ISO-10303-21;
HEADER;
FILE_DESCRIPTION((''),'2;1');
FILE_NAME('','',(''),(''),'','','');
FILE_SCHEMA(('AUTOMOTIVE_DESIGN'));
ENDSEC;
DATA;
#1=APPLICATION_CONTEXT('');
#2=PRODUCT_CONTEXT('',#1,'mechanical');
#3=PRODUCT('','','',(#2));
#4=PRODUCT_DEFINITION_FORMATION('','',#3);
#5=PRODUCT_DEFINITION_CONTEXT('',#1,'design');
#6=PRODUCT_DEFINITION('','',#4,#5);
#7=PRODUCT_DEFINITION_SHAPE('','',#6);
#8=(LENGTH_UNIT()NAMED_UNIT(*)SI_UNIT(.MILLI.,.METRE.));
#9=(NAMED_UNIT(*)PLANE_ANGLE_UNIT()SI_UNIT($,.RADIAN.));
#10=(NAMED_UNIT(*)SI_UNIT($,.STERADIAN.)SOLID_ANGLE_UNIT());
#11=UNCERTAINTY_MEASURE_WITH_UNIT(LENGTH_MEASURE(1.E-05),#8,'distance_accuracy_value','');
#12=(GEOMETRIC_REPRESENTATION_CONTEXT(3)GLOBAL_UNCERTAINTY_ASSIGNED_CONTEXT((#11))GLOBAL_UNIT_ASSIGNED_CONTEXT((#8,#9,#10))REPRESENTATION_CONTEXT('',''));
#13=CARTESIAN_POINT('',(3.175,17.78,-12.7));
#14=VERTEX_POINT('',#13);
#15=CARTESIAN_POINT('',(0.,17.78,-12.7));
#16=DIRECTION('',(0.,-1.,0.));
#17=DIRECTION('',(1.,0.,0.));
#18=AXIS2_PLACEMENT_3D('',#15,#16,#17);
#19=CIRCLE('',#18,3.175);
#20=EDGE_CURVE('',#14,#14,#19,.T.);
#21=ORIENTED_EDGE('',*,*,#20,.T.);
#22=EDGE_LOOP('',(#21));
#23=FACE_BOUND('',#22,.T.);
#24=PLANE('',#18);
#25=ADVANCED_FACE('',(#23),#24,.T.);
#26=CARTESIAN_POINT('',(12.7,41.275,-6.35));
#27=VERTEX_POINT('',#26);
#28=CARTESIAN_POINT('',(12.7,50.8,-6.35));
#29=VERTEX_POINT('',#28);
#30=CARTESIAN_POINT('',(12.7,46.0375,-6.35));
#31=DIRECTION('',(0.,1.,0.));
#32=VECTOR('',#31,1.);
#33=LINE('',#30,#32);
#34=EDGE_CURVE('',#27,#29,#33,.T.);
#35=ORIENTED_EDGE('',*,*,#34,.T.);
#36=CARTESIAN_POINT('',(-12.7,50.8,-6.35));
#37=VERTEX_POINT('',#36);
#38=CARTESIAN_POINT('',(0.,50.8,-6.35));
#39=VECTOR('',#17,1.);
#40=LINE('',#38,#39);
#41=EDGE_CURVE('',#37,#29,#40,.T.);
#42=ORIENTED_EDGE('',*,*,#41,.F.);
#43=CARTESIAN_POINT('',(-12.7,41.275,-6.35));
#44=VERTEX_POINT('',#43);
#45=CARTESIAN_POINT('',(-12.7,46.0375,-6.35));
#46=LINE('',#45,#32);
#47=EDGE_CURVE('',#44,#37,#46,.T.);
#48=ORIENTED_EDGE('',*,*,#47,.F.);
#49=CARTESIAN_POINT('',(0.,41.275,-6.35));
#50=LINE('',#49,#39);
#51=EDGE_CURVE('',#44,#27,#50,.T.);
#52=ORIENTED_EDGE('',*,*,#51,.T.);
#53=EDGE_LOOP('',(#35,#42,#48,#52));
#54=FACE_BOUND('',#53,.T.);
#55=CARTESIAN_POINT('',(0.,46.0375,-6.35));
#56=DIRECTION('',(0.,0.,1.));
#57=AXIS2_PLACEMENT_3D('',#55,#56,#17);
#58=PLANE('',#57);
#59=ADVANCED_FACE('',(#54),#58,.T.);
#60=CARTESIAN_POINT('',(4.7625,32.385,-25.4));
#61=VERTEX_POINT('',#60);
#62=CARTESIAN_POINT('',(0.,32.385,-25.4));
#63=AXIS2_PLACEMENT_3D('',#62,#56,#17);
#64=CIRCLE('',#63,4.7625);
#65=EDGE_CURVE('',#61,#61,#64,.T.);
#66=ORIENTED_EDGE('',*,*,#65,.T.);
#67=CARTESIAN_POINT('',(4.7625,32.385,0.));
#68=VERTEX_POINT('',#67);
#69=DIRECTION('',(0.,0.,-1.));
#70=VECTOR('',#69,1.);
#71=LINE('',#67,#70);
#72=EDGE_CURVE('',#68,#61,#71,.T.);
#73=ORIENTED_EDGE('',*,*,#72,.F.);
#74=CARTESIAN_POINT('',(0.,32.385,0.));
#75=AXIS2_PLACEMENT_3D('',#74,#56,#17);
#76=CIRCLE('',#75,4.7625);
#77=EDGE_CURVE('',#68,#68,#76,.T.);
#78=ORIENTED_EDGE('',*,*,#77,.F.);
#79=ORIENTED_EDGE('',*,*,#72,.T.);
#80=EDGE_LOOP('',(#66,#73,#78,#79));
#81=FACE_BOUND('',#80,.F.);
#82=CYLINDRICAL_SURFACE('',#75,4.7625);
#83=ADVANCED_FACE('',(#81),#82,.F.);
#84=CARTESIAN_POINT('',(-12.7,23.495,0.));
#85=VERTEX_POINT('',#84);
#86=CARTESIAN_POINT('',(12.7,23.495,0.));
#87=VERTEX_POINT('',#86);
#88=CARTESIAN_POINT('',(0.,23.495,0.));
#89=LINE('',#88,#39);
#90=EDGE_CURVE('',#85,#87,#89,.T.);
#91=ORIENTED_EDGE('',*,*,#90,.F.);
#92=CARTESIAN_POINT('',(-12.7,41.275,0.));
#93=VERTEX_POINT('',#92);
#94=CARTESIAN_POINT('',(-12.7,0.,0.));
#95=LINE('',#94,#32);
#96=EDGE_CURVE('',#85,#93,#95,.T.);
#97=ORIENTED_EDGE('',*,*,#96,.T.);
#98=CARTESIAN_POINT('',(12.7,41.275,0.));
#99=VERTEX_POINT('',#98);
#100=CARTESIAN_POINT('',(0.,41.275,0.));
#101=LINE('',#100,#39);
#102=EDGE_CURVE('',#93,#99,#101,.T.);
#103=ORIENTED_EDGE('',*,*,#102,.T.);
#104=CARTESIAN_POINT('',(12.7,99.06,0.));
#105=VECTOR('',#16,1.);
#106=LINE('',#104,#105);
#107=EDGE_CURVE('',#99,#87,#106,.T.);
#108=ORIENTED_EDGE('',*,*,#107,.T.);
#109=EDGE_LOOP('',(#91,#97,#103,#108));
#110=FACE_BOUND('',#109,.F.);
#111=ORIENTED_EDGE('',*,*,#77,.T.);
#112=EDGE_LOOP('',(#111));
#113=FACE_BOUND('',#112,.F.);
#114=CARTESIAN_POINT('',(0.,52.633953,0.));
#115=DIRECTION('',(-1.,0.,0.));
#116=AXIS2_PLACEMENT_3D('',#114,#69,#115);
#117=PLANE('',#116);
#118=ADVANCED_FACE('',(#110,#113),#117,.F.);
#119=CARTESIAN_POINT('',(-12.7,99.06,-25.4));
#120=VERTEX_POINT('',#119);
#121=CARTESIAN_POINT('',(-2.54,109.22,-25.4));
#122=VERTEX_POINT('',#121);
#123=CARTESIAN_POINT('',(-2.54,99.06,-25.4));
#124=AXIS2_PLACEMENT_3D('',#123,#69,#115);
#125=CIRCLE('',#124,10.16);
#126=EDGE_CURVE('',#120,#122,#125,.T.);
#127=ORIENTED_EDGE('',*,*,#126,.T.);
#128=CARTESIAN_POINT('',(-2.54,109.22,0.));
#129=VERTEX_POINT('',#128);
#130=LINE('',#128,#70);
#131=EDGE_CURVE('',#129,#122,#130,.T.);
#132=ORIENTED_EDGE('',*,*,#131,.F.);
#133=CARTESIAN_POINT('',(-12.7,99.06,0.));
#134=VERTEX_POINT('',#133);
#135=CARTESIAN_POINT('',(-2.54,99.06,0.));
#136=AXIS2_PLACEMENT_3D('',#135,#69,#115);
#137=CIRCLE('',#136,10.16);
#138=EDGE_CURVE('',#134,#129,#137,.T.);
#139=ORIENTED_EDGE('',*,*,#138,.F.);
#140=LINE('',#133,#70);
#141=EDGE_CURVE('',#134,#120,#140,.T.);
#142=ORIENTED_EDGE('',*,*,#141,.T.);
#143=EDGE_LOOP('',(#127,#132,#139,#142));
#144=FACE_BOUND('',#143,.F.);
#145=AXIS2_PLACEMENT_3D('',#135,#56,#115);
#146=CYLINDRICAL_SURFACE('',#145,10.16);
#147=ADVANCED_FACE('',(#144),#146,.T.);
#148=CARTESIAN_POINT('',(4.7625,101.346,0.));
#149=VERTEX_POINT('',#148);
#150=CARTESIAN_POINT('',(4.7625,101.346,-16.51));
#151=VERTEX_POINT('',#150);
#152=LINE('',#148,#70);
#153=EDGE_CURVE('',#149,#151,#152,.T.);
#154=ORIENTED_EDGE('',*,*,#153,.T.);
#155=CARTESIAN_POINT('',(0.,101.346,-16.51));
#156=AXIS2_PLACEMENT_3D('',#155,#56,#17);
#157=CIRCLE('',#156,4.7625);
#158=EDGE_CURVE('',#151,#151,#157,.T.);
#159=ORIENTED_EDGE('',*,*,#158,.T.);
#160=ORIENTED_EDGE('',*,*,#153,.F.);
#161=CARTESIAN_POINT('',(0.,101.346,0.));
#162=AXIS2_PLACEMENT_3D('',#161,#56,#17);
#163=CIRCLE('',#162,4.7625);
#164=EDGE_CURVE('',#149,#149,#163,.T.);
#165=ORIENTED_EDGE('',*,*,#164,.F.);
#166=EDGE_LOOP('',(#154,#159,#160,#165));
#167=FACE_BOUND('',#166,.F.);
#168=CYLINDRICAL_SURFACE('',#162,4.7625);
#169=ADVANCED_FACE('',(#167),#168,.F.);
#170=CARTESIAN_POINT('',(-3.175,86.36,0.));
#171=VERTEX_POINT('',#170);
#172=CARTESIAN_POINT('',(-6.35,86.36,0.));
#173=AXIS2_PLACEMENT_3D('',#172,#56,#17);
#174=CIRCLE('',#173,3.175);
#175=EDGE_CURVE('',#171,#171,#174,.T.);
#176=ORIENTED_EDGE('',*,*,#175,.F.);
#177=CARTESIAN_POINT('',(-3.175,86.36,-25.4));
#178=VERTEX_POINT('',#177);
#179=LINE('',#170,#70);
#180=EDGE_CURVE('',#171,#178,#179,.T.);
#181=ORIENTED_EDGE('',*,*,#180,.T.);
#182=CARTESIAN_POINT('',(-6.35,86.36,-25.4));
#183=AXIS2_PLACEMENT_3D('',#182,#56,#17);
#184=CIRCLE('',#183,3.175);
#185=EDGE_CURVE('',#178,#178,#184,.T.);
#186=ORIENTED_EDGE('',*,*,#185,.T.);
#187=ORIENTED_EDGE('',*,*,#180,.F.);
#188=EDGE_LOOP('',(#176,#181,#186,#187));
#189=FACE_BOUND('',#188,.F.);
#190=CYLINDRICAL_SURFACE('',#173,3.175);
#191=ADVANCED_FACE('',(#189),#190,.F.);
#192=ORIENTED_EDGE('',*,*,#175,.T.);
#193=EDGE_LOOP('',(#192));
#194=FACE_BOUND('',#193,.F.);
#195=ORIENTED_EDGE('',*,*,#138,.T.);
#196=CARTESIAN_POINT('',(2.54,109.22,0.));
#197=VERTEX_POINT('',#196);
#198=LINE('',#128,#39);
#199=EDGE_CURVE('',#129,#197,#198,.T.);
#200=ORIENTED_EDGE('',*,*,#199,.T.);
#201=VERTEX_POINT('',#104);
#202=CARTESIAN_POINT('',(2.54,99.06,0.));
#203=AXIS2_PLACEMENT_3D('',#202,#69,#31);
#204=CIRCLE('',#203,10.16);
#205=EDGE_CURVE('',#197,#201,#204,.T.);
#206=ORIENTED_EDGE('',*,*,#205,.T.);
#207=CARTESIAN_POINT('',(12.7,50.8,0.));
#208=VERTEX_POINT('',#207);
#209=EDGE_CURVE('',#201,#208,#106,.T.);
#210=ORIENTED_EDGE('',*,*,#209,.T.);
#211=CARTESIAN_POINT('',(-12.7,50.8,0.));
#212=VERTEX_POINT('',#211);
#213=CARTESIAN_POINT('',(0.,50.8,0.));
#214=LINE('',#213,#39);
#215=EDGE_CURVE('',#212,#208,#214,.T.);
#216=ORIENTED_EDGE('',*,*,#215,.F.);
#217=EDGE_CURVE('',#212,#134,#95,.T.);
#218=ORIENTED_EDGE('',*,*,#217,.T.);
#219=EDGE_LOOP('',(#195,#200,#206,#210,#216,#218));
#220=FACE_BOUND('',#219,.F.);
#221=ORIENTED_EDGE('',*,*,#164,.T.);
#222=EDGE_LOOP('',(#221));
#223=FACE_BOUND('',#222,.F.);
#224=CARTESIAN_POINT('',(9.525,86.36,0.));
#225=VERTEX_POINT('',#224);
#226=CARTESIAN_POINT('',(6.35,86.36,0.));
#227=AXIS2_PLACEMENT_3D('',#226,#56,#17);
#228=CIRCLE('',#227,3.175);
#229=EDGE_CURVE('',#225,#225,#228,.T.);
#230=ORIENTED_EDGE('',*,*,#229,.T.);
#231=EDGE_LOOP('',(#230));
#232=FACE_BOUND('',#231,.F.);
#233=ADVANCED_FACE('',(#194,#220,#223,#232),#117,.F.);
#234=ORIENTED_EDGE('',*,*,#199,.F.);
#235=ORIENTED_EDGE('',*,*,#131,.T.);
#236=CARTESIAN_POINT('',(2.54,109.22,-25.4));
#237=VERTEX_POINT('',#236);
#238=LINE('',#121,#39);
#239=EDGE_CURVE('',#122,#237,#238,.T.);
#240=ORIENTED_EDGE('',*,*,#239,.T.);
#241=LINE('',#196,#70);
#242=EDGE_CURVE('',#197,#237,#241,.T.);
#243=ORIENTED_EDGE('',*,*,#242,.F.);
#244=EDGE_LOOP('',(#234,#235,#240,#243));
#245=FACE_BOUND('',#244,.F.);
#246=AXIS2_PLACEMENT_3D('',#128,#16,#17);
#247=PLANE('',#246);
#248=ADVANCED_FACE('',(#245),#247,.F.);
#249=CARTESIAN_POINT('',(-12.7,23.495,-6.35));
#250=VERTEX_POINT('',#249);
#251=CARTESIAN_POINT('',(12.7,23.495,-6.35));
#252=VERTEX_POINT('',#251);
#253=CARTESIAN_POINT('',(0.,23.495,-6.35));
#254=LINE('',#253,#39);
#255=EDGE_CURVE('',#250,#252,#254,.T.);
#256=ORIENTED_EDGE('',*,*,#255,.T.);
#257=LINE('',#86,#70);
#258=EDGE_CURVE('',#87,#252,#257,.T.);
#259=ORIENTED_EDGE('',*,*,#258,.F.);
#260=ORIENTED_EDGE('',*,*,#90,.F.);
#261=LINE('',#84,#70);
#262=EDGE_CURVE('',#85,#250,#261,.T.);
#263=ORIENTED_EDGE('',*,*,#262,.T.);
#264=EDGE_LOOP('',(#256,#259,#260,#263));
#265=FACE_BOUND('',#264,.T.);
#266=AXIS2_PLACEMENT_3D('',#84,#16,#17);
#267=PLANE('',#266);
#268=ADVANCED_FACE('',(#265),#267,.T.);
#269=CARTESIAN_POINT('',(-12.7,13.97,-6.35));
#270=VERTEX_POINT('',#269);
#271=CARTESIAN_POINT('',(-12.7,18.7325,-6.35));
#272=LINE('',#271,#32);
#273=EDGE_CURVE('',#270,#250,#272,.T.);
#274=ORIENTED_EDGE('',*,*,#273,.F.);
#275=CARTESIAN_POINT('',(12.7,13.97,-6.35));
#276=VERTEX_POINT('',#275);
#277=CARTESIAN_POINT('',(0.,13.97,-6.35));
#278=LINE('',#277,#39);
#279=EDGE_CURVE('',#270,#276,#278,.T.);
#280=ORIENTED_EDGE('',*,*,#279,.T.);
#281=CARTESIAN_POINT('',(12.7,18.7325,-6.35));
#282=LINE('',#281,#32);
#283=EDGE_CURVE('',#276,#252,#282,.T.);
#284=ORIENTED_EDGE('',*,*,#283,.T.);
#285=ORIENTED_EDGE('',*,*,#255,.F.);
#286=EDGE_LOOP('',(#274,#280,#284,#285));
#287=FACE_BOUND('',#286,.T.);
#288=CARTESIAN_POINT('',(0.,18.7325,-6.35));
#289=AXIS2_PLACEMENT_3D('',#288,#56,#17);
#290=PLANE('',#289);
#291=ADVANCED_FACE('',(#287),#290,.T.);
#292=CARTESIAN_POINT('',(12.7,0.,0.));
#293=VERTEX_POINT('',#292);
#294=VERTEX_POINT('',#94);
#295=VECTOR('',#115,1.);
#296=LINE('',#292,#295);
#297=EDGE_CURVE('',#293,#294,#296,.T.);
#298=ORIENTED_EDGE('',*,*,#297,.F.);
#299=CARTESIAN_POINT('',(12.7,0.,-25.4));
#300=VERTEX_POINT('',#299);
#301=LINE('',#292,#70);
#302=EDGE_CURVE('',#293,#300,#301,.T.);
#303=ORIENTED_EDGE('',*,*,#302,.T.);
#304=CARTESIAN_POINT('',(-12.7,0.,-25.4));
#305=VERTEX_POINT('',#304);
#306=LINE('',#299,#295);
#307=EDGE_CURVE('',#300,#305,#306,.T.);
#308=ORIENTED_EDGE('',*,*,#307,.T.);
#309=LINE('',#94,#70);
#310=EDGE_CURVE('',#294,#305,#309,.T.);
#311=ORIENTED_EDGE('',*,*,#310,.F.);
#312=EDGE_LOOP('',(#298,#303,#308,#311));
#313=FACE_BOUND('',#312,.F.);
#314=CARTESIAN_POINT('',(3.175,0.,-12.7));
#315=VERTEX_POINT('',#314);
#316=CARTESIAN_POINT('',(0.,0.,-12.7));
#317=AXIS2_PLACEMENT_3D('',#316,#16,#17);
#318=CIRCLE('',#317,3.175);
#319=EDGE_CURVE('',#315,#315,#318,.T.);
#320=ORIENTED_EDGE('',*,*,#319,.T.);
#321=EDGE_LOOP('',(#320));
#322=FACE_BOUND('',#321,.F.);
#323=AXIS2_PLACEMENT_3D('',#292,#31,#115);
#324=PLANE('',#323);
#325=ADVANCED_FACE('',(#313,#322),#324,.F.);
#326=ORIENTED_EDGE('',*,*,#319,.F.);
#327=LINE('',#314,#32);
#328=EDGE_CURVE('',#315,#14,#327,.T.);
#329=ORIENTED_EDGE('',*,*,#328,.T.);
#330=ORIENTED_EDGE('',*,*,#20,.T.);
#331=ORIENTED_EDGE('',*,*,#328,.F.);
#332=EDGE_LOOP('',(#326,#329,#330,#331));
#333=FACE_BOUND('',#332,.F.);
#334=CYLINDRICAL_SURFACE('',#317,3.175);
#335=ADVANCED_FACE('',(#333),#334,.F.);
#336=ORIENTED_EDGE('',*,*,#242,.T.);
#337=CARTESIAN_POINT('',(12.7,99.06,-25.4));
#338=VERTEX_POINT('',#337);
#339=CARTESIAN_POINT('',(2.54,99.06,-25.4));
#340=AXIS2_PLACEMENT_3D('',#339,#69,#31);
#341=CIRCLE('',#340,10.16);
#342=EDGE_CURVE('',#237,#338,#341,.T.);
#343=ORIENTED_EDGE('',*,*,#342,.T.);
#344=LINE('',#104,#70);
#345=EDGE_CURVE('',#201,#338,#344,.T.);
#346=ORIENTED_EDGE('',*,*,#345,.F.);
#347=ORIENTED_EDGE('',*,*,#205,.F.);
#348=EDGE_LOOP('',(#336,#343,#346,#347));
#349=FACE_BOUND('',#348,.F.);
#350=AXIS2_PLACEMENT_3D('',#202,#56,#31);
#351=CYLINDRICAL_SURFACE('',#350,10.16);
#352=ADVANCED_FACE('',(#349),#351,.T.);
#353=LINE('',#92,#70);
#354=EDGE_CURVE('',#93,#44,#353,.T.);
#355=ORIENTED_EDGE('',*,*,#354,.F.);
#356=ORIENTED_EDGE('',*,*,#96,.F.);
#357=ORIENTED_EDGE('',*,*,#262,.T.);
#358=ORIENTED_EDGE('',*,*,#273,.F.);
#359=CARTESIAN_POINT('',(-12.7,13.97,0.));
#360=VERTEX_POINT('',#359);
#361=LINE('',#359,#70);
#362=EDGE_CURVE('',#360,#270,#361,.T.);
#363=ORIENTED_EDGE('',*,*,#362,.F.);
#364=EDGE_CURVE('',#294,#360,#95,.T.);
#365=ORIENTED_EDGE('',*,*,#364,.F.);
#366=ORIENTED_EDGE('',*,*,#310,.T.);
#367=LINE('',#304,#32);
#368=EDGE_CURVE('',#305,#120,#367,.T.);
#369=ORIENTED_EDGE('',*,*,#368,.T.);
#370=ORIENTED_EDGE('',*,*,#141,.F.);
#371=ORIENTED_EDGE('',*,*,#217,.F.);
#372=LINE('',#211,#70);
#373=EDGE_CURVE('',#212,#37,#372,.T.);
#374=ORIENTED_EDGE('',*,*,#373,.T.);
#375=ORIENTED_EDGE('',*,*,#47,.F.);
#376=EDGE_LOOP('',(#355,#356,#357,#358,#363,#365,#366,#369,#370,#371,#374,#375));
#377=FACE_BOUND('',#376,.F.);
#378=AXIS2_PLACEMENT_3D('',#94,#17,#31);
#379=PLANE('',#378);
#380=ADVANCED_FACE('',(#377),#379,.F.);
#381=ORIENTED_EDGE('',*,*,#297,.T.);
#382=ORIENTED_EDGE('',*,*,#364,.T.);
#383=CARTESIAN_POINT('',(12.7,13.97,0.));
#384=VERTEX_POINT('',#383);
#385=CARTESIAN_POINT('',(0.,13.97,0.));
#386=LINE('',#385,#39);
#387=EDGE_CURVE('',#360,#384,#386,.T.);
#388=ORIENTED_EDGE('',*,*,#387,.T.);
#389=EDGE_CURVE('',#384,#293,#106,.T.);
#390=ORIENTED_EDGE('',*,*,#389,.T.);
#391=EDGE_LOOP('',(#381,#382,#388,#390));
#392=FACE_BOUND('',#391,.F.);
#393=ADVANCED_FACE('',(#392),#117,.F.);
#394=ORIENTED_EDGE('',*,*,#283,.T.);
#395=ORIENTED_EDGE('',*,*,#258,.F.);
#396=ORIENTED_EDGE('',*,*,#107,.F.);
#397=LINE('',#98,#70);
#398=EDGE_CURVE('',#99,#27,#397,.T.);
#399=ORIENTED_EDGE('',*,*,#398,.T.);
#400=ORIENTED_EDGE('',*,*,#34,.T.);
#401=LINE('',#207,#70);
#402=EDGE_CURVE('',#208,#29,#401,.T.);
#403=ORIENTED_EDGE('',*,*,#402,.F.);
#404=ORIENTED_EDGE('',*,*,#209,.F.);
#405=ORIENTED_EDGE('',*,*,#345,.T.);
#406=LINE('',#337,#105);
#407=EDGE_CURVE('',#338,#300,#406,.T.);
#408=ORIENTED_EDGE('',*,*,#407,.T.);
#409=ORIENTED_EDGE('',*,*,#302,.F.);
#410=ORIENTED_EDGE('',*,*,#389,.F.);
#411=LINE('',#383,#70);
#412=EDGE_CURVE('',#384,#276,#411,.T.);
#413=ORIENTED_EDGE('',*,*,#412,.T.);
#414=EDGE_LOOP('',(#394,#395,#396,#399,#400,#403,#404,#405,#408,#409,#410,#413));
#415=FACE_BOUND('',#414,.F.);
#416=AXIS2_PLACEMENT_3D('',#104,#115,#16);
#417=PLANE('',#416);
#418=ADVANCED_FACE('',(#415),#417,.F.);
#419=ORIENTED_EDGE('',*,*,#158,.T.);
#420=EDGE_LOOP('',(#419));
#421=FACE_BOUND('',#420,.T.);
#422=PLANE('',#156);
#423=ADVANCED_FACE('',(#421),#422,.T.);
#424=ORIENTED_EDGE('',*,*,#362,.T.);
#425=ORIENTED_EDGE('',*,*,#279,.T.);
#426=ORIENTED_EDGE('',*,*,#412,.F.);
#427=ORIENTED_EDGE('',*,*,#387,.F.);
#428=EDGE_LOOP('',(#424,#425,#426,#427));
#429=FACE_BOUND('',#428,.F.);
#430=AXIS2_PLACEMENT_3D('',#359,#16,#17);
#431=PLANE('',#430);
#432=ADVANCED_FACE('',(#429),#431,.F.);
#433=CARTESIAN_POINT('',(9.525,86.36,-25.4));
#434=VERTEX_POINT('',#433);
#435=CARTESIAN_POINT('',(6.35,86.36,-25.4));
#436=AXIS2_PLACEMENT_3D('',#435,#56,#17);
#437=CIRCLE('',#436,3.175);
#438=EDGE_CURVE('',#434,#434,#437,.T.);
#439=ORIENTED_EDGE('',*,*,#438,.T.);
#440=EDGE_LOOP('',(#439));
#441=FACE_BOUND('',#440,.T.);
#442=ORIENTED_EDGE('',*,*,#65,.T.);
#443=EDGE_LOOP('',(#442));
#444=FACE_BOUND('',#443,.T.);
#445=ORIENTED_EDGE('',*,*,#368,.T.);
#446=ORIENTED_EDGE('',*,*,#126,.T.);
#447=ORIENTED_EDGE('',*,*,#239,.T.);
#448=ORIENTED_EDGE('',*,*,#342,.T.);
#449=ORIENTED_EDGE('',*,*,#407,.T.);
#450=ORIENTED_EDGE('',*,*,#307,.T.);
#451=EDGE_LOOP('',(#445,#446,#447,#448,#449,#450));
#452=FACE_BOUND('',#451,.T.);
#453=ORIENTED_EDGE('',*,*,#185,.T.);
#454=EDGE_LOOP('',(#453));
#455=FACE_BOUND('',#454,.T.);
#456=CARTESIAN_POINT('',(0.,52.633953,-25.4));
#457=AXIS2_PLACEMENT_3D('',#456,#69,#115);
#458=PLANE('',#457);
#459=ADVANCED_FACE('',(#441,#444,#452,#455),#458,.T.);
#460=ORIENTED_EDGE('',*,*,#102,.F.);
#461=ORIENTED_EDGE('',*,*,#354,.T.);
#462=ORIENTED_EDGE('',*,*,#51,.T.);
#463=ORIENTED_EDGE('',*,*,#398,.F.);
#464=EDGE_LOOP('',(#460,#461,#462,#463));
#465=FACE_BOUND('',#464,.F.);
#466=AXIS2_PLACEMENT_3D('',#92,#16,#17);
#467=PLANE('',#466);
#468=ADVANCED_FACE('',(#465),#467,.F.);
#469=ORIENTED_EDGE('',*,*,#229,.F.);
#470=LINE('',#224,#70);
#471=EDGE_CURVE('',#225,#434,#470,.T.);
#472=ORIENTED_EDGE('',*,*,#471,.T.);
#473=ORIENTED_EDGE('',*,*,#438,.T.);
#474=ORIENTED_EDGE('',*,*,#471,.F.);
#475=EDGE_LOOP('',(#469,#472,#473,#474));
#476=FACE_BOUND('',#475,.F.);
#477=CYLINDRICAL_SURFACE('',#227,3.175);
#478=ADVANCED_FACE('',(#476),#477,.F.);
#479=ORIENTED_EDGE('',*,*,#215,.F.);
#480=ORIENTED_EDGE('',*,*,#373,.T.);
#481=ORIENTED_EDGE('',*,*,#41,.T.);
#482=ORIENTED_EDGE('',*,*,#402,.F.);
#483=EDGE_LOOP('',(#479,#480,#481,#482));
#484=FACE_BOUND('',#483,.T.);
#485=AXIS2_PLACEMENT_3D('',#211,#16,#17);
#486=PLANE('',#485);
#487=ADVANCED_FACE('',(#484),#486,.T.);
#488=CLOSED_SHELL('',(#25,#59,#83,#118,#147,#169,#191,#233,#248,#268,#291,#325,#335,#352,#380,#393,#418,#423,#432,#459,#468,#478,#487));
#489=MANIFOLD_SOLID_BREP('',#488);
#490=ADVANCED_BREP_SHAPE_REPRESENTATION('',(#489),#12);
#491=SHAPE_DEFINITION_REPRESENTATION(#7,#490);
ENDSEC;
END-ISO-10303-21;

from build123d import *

# Parameters (mm, degrees)
SKETCH1_R           = 4.7625
SKETCH1_R_2         = 3.175
BOSS_EXTRUDE1_DEPTH = 25.4
SKETCH1_3_R         = 4.7625
CUT_EXTRUDE1_DEPTH  = 16.51
SKETCH2_R           = 3.175
CUT_EXTRUDE2_DEPTH  = 17.78
SKETCH3_W           = 25.4
SKETCH3_H           = 9.525
CUT_EXTRUDE3_DEPTH  = 6.35


with BuildPart() as part:
    # Sketch1 → Boss-Extrude1 (new body)
    with BuildSketch(Plane.XY):
        with BuildLine():
            ThreePointArc((-12.7, 99.06), (-9.724204897, 106.244204897), (-2.54, 109.22))
            Line((-2.54, 109.22), (2.54, 109.22))
            ThreePointArc((2.54, 109.22), (9.724204897, 106.244204897), (12.7, 99.06))
            Line((12.7, 99.06), (12.7, 0))
            Line((12.7, 0), (-12.7, 0))
            Line((-12.7, 0), (-12.7, 99.06))
        make_face()
        with Locations((0, 101.346)):
            Circle(SKETCH1_R, mode=Mode.SUBTRACT)
        with Locations((6.35, 86.36)):
            Circle(SKETCH1_R_2, mode=Mode.SUBTRACT)
        with Locations((-6.35, 86.36)):
            Circle(SKETCH1_R_2, mode=Mode.SUBTRACT)
        with Locations((0, 32.385)):
            Circle(SKETCH1_R, mode=Mode.SUBTRACT)
        with Locations((0, 101.346)):
            Circle(SKETCH1_R)
    extrude(amount=-BOSS_EXTRUDE1_DEPTH)

    # Sketch1_3 → Cut-Extrude1 (cut)
    with BuildSketch(Plane.XY):
        with Locations((0, 101.346)):
            Circle(SKETCH1_3_R)
    extrude(amount=-CUT_EXTRUDE1_DEPTH, mode=Mode.SUBTRACT)

    # Sketch2 → Cut-Extrude2 (cut)
    with BuildSketch(Plane.XZ):
        with Locations((0, -12.7)):
            Circle(SKETCH2_R)
    extrude(amount=-CUT_EXTRUDE2_DEPTH, mode=Mode.SUBTRACT)

    # Sketch3 → Cut-Extrude3 (cut)
    with BuildSketch(Plane.XY):
        with Locations((0, 46.0375)):
            Rectangle(SKETCH3_W, SKETCH3_H)
        with Locations((0, 18.7325)):
            Rectangle(SKETCH3_W, SKETCH3_H)
    extrude(amount=-CUT_EXTRUDE3_DEPTH, mode=Mode.SUBTRACT)


solid = part.part
